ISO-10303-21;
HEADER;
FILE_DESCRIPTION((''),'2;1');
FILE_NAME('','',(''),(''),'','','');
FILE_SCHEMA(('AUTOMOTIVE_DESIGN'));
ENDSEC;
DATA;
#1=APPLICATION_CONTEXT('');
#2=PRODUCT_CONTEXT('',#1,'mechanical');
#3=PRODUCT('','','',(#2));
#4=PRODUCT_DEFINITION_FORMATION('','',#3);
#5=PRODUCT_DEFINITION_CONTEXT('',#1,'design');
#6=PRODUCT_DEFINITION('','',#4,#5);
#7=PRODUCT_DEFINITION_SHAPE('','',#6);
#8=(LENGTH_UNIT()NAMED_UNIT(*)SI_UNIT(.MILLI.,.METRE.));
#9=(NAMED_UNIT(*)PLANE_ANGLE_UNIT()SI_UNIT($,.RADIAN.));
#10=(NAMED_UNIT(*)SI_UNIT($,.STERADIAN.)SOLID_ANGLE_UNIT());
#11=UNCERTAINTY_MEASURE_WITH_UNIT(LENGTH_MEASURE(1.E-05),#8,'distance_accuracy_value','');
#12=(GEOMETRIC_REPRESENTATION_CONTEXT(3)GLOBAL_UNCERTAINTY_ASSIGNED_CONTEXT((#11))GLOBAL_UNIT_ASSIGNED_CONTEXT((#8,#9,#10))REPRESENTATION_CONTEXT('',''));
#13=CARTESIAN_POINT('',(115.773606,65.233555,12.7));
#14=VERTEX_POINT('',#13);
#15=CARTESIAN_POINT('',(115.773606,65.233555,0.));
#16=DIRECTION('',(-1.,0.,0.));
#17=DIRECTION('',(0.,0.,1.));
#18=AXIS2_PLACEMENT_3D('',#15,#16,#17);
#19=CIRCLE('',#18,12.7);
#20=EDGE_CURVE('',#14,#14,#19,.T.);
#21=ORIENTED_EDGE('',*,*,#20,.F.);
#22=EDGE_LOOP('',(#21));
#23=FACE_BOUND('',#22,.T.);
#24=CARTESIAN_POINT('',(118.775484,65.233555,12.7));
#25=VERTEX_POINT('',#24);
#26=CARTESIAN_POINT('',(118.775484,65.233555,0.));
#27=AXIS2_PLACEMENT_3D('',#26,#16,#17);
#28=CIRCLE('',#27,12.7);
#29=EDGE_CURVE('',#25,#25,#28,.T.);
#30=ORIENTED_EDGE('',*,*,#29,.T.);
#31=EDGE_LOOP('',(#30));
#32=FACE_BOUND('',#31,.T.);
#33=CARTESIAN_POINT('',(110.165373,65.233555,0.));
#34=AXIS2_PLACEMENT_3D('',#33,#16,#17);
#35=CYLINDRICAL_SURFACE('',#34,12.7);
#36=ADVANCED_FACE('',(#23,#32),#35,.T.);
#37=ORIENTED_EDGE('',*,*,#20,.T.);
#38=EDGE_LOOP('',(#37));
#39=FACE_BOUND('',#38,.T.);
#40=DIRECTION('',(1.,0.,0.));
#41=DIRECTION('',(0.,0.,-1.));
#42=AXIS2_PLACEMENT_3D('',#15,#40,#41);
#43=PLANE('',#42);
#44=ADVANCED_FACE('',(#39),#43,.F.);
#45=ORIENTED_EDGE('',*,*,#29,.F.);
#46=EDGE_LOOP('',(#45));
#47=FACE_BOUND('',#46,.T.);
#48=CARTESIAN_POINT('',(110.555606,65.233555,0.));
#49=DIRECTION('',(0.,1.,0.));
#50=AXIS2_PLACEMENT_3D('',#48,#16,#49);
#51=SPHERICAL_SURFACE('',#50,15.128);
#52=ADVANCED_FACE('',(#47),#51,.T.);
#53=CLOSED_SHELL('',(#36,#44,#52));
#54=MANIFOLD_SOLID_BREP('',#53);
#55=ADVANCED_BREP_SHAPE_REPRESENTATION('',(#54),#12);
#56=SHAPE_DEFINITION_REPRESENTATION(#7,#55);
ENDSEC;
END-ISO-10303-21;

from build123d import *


with BuildPart() as part:
    # 草图1 → 旋转1 (revolve)
    with BuildSketch(Plane.XY):
        with BuildLine():
            Line((115.773606431, 65.233554926), (115.773606431, 77.933554926))
            Line((115.773606431, 77.933554926), (118.775483802, 77.933554926))
            ThreePointArc((118.775483802, 77.933554926), (123.844825536, 72.462181322), (125.683606431, 65.233554926))
            Line((125.683606431, 65.233554926), (115.773606431, 65.233554926))
        make_face()
    revolve(axis=Axis((110.165373228, 65.233554926, 0), (1, 0, 0)))


solid = part.part
